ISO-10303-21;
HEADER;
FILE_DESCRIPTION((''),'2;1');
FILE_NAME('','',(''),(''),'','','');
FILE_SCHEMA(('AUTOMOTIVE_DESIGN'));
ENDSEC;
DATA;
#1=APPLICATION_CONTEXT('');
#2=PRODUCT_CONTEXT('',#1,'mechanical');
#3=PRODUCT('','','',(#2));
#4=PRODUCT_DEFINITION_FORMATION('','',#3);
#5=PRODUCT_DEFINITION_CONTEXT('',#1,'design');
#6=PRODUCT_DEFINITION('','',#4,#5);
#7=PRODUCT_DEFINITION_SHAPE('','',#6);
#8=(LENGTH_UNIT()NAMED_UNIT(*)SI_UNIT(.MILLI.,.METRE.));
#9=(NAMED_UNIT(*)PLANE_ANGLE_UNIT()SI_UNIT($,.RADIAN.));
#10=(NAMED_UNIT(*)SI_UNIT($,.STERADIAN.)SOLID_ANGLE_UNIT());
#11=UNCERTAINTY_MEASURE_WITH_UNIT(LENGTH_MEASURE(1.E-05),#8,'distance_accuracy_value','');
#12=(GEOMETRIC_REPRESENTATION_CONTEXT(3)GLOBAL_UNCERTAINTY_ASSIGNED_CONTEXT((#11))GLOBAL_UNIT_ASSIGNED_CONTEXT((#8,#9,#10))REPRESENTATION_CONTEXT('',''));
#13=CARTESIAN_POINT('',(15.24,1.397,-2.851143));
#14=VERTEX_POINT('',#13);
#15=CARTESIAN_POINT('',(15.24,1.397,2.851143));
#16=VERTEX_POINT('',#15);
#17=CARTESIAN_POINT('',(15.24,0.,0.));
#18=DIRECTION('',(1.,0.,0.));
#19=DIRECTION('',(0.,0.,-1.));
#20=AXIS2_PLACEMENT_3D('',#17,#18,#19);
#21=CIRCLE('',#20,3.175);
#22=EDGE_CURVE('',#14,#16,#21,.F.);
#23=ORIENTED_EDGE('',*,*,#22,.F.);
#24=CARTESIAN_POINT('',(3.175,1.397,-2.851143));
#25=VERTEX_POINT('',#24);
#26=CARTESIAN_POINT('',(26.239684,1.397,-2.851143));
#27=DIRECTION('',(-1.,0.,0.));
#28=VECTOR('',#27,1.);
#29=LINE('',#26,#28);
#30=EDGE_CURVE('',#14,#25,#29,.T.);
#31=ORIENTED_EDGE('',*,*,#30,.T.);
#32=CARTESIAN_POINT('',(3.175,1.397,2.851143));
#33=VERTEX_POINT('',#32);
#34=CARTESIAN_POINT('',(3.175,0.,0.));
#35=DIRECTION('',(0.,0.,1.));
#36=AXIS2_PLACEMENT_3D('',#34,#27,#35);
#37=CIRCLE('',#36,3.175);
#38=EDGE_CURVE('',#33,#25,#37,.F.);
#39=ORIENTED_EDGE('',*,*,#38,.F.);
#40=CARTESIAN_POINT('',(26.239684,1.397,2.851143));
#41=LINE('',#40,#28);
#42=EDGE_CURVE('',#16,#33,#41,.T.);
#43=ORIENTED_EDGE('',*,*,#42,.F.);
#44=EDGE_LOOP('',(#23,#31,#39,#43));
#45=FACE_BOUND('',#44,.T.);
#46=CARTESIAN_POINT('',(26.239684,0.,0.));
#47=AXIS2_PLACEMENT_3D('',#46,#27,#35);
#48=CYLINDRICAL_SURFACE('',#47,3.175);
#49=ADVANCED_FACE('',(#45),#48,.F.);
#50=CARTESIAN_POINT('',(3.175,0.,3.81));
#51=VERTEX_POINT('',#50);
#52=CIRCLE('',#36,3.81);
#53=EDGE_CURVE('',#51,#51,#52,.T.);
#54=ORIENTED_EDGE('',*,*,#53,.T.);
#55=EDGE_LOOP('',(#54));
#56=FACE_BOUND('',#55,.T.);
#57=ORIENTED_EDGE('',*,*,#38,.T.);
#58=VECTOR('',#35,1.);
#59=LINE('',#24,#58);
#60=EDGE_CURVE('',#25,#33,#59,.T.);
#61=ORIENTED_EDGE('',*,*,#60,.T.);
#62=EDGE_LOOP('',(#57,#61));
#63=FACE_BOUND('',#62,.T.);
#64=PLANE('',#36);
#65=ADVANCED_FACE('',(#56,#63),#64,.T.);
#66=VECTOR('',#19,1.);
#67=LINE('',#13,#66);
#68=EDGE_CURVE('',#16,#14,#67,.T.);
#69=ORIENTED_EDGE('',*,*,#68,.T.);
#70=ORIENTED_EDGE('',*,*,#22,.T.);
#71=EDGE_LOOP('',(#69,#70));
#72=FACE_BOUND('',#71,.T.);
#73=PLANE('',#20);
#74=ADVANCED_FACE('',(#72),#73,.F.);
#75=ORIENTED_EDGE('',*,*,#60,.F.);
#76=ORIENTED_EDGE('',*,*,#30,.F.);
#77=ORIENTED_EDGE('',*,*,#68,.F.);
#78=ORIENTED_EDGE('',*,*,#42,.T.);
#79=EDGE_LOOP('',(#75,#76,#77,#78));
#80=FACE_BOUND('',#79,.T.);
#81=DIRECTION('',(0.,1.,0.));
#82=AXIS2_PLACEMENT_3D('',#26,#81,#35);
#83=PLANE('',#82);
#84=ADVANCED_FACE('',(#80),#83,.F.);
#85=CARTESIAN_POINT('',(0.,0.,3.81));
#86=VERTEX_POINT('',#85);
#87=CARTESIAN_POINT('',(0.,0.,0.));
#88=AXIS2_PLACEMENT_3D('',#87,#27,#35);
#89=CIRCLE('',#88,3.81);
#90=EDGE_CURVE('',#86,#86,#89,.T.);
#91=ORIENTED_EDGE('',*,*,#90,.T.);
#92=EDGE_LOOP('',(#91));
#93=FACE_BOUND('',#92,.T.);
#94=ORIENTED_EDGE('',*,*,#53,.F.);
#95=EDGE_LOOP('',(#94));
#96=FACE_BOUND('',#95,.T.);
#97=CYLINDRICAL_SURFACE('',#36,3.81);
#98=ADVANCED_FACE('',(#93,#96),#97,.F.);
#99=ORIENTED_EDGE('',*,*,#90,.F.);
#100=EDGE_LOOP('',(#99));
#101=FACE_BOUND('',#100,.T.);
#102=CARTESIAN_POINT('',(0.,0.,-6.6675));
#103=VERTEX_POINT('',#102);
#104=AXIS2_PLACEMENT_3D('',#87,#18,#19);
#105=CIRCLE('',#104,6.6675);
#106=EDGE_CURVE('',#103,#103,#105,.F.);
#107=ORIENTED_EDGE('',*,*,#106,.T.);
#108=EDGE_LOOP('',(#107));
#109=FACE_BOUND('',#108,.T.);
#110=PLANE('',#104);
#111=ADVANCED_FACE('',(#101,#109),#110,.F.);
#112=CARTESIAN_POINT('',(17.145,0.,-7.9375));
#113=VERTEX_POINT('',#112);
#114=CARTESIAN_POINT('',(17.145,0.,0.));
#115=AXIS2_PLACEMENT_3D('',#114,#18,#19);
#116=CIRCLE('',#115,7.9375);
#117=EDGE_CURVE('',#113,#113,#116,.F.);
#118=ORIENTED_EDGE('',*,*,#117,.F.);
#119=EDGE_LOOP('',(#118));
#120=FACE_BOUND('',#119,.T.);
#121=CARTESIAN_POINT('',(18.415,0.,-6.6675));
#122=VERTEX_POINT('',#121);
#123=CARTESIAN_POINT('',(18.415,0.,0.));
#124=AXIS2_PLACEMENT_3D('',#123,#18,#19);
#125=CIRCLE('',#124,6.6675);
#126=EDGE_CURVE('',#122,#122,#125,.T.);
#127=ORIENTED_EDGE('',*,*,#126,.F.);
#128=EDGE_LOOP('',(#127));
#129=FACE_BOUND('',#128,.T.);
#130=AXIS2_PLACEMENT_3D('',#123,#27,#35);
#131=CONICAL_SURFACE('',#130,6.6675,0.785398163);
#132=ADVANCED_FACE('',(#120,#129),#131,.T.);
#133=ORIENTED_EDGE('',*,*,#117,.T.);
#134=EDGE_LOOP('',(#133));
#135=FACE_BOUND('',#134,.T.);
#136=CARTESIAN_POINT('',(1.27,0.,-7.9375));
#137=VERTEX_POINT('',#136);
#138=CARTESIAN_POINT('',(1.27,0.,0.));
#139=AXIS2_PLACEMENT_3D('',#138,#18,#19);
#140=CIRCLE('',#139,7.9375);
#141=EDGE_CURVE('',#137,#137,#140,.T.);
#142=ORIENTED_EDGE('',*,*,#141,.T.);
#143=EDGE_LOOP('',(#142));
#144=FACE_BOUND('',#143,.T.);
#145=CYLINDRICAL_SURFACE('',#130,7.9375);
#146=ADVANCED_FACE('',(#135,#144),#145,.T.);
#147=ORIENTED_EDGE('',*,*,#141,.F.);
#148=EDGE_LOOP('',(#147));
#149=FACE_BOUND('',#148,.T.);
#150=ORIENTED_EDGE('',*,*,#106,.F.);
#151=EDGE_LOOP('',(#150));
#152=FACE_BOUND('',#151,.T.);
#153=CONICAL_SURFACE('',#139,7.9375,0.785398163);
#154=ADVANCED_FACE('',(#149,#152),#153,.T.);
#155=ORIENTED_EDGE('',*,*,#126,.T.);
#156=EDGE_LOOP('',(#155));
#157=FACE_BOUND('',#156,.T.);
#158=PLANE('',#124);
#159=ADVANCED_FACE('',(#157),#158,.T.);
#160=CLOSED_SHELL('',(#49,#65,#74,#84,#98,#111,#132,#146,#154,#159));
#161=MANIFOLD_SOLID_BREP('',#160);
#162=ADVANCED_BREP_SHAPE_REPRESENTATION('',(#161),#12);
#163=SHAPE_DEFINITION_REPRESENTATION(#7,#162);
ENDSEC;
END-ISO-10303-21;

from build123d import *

# Parameters (mm, degrees)
SKETCH2_R           = 7.9375
BOSS_EXTRUDE1_DEPTH = 18.415
CHAMFER1_SIZE       = 1.27
CUT_EXTRUDE2_DEPTH  = 15.24
SKETCH5_R           = 3.81
CUT_EXTRUDE3_DEPTH  = 3.175


with BuildPart() as part:
    # Sketch2 → Boss-Extrude1 (new body)
    with BuildSketch(Plane(origin=(0, 0, 0), x_dir=(0, 0, -1), z_dir=(1, 0, 0))):
        Circle(SKETCH2_R)
    extrude(amount=BOSS_EXTRUDE1_DEPTH)

    # Chamfer1
    chamfer1_edges = [part.edges().sort_by_distance(p)[0] for p in [
        (0, 0, 7.9375),
        (18.415, 0, 7.9375),
    ]]
    chamfer(chamfer1_edges, length=CHAMFER1_SIZE)

    # Sketch4 → Cut-Extrude2 (cut)
    with BuildSketch(Plane.ZY):
        with BuildLine():
            Line((-2.851142929, 1.397), (2.851142929, 1.397))
            ThreePointArc((2.851142929, 1.397), (0, -3.175), (-2.851142929, 1.397))
        make_face()
    extrude(amount=-CUT_EXTRUDE2_DEPTH, mode=Mode.SUBTRACT)

    # Sketch5 → Cut-Extrude3 (cut)
    with BuildSketch(Plane.ZY):
        Circle(SKETCH5_R)
    extrude(amount=-CUT_EXTRUDE3_DEPTH, mode=Mode.SUBTRACT)


solid = part.part
